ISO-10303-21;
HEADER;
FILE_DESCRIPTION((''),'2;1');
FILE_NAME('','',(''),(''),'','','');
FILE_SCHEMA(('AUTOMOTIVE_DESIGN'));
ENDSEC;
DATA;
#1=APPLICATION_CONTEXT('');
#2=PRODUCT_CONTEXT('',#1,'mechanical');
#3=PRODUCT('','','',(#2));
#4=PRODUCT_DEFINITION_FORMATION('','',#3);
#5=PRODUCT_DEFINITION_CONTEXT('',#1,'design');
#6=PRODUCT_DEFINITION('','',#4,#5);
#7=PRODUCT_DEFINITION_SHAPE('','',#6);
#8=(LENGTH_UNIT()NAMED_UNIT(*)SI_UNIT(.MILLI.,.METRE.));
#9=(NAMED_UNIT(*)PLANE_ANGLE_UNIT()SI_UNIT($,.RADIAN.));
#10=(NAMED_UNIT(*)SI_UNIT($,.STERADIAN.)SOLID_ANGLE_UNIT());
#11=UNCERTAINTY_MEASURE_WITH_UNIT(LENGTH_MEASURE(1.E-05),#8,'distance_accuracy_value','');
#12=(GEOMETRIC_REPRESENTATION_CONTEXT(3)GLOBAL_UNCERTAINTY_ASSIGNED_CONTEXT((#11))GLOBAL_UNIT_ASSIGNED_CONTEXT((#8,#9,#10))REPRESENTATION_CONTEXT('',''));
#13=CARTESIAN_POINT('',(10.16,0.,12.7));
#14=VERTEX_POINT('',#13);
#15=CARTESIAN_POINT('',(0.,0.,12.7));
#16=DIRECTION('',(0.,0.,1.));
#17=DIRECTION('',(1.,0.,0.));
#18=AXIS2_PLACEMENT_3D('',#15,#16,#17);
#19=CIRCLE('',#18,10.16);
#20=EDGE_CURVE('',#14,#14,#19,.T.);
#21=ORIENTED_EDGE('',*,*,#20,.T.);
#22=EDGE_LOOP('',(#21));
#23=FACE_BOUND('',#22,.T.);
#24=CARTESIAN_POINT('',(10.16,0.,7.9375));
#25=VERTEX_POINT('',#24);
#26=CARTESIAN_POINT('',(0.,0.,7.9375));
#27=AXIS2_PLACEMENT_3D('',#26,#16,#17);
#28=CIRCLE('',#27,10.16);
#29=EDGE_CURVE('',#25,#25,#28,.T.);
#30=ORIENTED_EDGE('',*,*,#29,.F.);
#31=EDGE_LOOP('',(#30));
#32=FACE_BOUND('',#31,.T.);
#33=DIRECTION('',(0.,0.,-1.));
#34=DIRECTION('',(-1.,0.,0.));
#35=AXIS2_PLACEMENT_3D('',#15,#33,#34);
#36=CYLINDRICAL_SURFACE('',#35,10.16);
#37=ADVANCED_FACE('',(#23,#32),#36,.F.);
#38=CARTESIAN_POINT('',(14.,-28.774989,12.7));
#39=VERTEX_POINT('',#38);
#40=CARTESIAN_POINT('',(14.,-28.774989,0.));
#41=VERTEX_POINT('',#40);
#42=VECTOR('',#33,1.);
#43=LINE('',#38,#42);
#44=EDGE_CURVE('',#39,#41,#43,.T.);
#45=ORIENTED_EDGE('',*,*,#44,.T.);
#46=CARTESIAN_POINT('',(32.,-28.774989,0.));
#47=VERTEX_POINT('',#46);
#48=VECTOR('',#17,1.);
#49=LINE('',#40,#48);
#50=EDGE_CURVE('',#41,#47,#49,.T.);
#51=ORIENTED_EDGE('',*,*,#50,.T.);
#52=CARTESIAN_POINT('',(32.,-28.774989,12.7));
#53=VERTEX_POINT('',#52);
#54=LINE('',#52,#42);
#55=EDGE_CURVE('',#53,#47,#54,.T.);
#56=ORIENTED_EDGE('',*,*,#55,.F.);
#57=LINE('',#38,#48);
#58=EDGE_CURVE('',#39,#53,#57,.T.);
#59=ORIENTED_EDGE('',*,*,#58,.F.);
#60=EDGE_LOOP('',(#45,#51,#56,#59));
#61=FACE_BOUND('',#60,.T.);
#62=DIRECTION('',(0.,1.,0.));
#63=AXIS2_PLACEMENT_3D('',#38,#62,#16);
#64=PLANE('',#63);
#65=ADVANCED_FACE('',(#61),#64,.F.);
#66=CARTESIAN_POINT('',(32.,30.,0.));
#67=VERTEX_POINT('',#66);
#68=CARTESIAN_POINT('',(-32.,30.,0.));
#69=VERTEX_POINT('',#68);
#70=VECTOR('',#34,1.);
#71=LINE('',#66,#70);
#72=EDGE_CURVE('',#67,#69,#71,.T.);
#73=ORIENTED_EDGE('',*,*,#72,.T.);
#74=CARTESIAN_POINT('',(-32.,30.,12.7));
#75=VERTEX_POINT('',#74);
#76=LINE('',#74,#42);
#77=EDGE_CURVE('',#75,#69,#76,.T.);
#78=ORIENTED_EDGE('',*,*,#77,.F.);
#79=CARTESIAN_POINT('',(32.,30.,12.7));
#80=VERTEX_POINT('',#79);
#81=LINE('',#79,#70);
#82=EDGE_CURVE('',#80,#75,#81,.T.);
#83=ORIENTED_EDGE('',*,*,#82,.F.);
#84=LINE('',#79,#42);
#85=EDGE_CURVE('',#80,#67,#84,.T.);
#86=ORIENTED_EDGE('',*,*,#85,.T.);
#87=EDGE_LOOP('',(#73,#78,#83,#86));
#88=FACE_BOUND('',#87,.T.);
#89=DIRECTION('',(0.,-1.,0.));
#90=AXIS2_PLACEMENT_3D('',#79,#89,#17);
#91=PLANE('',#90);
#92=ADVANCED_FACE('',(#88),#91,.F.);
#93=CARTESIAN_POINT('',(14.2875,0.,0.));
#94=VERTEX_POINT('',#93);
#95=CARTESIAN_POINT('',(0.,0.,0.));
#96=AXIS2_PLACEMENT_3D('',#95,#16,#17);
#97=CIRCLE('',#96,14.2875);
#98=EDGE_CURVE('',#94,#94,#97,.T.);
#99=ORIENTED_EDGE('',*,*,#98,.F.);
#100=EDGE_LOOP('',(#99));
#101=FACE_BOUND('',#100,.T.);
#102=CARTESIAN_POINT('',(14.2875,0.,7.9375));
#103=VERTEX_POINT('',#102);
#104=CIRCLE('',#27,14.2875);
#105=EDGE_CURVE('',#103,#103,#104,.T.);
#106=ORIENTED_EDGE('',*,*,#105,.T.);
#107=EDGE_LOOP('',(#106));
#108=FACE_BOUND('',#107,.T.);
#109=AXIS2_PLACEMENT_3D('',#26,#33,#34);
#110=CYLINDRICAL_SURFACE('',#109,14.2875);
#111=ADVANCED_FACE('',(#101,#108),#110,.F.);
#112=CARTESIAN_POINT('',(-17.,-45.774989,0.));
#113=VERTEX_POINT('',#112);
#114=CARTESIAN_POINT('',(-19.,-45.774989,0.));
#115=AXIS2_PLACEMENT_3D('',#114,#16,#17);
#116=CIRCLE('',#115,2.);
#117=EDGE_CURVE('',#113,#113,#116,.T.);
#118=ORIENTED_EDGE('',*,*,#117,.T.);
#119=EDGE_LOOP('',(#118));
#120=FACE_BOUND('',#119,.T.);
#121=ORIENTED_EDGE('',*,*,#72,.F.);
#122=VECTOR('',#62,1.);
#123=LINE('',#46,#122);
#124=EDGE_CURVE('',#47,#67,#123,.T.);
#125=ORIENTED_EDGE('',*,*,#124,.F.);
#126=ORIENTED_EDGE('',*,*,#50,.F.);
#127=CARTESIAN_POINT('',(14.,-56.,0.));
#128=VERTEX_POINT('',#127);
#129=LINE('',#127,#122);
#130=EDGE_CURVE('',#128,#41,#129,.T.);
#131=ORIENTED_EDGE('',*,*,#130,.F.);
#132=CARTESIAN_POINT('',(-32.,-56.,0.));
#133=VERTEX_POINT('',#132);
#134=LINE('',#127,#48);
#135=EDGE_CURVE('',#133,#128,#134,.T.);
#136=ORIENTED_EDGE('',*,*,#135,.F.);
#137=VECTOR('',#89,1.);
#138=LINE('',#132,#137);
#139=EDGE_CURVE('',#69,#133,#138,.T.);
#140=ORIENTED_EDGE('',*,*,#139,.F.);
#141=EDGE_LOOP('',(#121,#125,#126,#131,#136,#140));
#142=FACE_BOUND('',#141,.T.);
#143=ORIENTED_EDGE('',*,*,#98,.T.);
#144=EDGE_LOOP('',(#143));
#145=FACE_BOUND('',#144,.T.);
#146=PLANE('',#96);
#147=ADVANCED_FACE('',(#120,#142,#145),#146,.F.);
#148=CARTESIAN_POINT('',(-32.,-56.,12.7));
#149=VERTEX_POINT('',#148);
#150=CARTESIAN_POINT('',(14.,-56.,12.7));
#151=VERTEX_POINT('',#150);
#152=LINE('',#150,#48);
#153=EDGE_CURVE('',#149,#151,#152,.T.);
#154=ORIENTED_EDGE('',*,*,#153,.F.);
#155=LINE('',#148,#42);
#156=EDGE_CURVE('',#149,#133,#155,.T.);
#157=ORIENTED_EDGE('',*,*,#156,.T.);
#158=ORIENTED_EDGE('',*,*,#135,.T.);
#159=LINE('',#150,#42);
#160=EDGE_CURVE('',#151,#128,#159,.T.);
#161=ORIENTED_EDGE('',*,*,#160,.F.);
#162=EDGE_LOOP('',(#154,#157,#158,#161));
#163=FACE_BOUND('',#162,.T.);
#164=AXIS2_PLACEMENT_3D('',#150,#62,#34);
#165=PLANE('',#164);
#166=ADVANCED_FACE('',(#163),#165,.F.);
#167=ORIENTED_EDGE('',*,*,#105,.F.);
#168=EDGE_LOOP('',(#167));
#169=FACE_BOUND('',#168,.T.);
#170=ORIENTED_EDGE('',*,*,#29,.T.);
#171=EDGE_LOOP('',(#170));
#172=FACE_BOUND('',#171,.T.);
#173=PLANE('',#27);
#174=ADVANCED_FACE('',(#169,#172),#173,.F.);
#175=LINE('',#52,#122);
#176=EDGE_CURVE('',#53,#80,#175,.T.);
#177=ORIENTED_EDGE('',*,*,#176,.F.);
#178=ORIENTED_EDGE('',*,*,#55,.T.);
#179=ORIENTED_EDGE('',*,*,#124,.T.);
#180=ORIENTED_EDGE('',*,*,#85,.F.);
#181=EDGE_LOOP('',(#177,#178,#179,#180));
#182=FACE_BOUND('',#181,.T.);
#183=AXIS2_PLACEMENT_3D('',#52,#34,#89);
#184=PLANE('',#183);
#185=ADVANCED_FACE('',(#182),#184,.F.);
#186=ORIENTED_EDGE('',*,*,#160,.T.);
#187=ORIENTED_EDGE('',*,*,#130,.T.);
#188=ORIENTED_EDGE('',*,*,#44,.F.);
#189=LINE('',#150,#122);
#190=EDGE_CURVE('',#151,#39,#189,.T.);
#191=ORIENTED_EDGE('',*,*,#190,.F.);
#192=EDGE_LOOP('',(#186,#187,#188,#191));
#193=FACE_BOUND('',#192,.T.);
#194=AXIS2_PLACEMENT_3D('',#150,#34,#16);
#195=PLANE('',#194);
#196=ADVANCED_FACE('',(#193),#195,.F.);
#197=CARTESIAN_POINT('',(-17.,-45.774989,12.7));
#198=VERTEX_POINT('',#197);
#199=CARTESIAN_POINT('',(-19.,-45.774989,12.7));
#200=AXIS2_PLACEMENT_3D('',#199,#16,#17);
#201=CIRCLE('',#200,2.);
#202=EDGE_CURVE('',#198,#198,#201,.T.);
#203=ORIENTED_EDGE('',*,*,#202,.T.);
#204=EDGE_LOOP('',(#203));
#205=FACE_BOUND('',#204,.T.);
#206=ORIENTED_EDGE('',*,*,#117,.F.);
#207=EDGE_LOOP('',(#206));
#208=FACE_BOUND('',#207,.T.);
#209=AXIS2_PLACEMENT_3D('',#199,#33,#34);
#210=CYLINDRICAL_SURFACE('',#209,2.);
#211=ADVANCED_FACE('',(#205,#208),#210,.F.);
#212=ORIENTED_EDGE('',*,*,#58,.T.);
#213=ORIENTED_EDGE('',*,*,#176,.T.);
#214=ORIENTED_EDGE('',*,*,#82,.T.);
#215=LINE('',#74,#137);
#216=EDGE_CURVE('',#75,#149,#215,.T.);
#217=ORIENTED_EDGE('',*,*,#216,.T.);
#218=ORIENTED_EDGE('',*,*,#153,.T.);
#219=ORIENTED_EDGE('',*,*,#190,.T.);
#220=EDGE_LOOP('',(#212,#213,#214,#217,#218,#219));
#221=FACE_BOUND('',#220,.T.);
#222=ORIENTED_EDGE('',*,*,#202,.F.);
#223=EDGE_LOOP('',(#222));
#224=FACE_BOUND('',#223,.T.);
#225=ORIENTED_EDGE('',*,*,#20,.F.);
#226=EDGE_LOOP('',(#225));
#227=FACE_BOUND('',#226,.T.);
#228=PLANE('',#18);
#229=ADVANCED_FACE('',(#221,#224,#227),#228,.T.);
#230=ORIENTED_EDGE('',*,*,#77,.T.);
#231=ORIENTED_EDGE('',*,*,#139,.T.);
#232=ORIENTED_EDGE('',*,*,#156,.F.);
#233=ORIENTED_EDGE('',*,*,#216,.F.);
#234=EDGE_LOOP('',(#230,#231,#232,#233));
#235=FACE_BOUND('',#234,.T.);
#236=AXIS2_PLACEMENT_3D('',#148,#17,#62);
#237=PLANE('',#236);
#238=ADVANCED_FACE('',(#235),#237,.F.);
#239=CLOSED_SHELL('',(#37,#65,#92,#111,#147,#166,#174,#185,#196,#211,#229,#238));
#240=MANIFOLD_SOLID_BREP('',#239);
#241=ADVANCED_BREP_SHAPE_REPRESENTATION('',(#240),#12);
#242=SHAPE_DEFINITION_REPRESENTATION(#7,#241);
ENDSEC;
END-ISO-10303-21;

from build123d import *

# Parameters (mm, degrees)
SKETCH1_R           = 10.16
SKETCH1_R_2         = 2
BOSS_EXTRUDE1_DEPTH = 12.7
SKETCH2_R           = 14.2875
CUT_EXTRUDE1_DEPTH  = 7.9375


with BuildPart() as part:
    # Sketch1 → Boss-Extrude1 (new body)
    with BuildSketch(Plane.XY):
        Polygon((14, -56), (-32, -56), (-32, 0), (-32, 30), (32, 30), (32, -28.77498914), (14, -28.77498914), align=None)
        Circle(SKETCH1_R, mode=Mode.SUBTRACT)
        with Locations((-19, -45.77498914)):
            Circle(SKETCH1_R_2, mode=Mode.SUBTRACT)
    extrude(amount=BOSS_EXTRUDE1_DEPTH)

    # Sketch2 → Cut-Extrude1 (cut)
    with BuildSketch(Plane.XY):
        Circle(SKETCH2_R)
    extrude(amount=CUT_EXTRUDE1_DEPTH, mode=Mode.SUBTRACT)


solid = part.part
